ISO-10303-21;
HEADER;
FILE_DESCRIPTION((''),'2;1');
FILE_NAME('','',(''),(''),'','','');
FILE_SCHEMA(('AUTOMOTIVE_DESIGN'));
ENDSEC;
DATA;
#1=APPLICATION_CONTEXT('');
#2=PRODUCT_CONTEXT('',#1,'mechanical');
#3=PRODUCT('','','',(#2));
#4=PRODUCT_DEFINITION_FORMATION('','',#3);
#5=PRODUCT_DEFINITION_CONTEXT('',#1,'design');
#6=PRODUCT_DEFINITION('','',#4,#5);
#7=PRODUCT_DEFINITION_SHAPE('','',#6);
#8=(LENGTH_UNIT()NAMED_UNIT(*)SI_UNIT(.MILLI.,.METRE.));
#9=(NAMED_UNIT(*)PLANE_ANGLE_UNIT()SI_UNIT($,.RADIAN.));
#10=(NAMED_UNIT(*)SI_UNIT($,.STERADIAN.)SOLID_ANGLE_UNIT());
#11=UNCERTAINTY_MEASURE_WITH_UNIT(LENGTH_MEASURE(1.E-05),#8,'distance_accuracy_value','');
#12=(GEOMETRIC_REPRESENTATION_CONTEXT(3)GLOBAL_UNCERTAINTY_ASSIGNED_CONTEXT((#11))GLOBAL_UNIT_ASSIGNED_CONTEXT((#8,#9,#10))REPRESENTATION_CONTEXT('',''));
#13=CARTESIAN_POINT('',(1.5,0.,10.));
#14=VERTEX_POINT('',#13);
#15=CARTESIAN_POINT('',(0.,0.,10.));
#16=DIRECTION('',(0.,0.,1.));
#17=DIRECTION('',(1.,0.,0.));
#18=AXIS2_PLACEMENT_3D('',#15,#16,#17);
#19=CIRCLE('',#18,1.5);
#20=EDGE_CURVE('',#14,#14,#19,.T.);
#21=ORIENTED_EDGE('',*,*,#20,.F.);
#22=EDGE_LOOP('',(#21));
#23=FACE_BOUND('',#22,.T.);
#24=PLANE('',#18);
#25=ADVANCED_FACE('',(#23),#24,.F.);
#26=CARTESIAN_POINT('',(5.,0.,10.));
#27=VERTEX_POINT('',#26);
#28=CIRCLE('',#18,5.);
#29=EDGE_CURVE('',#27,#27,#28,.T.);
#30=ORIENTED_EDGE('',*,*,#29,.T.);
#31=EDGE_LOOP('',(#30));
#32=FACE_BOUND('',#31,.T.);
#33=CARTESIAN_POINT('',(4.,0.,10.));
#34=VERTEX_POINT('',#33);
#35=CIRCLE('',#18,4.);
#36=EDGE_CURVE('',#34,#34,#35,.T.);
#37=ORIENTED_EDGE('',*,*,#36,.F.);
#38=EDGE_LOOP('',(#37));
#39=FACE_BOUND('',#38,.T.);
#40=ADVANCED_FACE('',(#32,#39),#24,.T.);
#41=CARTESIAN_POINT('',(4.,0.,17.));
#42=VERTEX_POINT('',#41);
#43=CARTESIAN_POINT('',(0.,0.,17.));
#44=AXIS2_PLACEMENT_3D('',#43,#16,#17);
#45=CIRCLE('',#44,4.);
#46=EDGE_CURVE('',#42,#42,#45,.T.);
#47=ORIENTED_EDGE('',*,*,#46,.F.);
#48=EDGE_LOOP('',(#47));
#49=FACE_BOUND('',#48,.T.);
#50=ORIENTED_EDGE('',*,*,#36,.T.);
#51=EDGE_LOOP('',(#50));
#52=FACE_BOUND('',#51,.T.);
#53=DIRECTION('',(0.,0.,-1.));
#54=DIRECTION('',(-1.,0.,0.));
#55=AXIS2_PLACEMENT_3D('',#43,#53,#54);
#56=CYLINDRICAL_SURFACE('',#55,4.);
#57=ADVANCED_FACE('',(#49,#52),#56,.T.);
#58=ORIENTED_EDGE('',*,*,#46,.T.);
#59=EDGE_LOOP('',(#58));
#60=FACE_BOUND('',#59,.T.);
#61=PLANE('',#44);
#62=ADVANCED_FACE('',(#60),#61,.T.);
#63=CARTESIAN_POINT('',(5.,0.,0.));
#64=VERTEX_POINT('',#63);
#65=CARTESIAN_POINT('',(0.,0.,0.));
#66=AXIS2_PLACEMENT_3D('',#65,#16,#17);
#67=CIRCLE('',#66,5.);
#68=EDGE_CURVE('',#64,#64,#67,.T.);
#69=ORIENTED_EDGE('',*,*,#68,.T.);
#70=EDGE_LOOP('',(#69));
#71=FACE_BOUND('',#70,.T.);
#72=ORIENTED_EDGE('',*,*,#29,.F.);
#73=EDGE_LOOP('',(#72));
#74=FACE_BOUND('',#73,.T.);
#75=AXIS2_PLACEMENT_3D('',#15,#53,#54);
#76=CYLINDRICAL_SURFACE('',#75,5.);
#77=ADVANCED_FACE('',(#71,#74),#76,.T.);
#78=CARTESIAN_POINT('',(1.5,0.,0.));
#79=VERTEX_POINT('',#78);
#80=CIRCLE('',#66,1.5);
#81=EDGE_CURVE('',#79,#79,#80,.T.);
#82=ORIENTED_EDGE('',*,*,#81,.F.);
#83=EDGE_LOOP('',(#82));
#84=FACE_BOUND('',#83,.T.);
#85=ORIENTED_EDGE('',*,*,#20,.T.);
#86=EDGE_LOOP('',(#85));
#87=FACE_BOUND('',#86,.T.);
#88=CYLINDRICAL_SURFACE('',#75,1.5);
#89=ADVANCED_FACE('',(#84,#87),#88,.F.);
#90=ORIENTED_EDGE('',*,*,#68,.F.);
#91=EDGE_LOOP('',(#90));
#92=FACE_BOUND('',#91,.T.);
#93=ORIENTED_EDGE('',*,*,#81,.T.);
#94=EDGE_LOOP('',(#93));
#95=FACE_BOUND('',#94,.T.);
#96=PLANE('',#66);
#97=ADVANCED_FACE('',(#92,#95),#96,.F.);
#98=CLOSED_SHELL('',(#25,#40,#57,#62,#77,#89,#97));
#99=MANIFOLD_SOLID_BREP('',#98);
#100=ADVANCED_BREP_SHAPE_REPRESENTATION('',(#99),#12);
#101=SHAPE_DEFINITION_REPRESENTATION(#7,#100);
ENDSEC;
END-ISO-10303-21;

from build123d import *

# Parameters (mm, degrees)
SKETCH1_R           = 5
SKETCH1_R_2         = 1.5
BOSS_EXTRUDE1_DEPTH = 10
SKETCH2_R           = 4
BOSS_EXTRUDE2_DEPTH = 7


with BuildPart() as part:
    # Sketch1 → Boss-Extrude1 (new body)
    with BuildSketch(Plane.XY):
        Circle(SKETCH1_R)
        Circle(SKETCH1_R_2, mode=Mode.SUBTRACT)
    extrude(amount=BOSS_EXTRUDE1_DEPTH)

    # Sketch2 → Boss-Extrude2 (add)
    with BuildSketch(Plane.XY.offset(10)):
        Circle(SKETCH2_R)
    extrude(amount=BOSS_EXTRUDE2_DEPTH)


solid = part.part
